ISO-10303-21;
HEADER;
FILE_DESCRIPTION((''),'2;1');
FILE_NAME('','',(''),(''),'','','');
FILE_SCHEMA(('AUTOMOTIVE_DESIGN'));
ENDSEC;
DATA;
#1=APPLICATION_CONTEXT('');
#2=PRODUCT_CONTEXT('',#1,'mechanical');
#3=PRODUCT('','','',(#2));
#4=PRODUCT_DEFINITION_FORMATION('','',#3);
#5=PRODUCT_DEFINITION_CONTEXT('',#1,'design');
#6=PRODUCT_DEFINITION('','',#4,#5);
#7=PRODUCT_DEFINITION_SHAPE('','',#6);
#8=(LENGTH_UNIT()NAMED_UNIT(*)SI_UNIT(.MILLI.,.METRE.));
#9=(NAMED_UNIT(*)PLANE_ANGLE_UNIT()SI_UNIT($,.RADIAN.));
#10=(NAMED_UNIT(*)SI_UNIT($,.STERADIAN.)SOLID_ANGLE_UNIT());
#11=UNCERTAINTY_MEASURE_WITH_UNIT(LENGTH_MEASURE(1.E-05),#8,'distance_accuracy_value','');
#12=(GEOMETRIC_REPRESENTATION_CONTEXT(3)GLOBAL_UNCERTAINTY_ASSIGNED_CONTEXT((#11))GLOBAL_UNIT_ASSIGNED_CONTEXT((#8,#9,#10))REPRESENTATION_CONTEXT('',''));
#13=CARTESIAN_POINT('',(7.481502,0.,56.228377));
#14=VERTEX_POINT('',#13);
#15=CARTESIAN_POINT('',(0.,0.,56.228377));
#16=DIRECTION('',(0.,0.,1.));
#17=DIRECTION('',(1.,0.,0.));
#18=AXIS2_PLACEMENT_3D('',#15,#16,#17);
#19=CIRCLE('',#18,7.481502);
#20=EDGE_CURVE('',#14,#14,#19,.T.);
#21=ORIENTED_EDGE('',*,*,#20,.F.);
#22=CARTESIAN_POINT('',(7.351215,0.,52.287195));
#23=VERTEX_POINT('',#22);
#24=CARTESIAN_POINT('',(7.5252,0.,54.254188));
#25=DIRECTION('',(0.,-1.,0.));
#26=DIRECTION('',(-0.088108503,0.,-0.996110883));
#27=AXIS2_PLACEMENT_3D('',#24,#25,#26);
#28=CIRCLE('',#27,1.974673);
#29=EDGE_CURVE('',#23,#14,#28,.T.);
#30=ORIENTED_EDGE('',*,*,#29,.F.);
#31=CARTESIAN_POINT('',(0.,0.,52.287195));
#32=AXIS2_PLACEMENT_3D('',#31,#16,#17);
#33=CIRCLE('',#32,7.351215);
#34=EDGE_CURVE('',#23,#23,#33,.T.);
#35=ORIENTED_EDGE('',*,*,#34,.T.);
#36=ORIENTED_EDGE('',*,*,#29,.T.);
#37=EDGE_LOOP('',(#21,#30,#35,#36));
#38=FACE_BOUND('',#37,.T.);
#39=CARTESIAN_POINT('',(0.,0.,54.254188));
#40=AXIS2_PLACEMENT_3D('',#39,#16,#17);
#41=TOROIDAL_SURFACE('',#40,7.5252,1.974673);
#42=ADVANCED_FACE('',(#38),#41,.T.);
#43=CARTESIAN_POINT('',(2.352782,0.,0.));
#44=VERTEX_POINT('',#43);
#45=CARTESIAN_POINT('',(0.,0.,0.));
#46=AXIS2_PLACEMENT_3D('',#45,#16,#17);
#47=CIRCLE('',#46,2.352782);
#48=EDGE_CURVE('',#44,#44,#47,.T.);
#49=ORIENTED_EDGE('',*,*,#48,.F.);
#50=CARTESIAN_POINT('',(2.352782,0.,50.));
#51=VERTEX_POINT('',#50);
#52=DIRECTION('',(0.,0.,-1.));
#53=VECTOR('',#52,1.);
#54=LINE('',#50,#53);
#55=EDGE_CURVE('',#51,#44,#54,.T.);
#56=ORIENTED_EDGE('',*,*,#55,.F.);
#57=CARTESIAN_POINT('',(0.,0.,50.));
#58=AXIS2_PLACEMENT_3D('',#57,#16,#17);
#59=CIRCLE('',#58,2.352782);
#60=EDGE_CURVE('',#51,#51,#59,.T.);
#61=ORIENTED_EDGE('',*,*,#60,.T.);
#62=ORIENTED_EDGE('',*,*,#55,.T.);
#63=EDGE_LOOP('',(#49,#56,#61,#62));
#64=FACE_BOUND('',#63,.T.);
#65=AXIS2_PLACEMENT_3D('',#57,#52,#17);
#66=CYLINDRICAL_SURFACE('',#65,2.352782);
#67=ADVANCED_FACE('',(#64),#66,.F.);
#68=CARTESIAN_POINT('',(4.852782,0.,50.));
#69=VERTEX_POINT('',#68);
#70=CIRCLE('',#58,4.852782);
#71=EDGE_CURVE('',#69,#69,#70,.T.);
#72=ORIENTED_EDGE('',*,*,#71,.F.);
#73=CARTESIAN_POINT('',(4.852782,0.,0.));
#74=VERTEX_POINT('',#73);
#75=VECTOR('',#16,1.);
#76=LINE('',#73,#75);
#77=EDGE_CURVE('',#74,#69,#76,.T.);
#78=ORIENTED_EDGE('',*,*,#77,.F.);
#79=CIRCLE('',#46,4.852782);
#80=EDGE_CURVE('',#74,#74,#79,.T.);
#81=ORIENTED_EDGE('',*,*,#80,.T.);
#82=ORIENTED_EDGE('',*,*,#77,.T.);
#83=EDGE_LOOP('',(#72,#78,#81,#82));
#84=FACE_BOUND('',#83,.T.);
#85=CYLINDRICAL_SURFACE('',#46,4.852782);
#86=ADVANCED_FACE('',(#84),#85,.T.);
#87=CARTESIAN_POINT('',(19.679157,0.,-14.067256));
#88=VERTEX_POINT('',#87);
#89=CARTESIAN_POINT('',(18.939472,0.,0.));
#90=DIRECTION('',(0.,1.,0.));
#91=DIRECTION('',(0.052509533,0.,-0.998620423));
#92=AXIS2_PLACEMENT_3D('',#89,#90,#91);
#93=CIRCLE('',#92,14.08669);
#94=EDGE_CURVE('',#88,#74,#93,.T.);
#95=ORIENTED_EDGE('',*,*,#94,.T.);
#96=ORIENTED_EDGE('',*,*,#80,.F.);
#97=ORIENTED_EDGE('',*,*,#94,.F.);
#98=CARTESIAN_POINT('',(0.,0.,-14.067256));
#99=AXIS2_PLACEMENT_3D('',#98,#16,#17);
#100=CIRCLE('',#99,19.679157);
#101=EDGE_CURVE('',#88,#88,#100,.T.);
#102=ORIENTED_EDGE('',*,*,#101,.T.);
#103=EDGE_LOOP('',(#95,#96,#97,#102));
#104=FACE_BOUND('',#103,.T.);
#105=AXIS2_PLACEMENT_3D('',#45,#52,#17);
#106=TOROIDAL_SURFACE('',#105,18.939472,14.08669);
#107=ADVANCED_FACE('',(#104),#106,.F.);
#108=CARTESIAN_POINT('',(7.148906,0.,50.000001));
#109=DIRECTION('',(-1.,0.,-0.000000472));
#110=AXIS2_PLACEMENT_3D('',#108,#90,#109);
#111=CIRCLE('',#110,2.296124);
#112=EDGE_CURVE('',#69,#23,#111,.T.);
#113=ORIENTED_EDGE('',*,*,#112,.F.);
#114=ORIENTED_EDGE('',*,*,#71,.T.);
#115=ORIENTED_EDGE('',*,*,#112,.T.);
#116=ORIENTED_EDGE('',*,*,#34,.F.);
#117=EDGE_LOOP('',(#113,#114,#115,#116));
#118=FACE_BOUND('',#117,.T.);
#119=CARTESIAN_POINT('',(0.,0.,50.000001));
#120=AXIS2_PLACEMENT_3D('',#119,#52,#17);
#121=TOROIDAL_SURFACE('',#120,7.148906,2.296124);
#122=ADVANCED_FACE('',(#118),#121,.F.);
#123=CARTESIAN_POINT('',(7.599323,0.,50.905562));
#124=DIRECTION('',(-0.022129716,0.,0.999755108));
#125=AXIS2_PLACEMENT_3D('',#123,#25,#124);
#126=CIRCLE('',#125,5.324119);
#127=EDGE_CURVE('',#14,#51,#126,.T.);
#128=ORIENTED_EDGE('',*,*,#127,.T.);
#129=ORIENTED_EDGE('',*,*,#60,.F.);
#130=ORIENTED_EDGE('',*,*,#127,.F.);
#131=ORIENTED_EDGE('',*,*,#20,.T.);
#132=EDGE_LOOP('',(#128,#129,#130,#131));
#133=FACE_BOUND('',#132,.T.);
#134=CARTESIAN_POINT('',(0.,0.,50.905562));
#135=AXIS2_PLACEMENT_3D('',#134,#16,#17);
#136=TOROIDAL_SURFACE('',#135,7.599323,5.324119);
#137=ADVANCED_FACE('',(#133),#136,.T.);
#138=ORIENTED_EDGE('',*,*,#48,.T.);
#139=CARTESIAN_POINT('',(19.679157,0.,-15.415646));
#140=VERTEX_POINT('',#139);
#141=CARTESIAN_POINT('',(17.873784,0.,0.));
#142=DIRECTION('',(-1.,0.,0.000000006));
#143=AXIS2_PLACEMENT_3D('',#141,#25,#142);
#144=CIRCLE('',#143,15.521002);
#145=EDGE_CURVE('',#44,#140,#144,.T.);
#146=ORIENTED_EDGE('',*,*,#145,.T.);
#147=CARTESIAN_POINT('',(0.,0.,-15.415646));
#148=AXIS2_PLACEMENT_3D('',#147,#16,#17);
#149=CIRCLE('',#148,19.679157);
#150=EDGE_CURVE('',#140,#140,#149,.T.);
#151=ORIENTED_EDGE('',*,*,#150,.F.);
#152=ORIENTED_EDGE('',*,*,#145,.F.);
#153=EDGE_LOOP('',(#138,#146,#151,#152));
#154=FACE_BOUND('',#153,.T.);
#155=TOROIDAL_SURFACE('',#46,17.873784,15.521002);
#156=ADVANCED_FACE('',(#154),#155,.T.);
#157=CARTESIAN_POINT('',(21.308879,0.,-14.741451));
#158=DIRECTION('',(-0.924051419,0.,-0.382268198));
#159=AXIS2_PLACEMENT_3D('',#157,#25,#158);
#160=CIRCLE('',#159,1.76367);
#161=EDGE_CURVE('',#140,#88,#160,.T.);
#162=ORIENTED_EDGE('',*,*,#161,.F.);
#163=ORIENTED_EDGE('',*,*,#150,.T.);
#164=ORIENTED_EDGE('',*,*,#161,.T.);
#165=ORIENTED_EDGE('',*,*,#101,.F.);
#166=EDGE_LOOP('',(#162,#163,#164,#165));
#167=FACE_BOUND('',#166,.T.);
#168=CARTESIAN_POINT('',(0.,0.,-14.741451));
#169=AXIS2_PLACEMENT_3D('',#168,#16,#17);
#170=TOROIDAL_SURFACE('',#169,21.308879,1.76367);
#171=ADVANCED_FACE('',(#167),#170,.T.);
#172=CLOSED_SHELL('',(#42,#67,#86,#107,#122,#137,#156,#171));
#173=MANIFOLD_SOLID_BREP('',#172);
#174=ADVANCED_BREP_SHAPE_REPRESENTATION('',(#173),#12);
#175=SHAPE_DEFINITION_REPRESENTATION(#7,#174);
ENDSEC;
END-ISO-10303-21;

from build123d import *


with BuildPart() as f1:
    # F0 (on Front) → F1 (revolve)
    with BuildSketch(Plane.XZ):
        with BuildLine():
            Line((2.352782, 50), (2.352782, 0))
            ThreePointArc((2.352782, 0), (7.5568, -11.595747), (19.679157, -15.415646))
            ThreePointArc((19.679157, -15.415646), (23.072549, -14.741451), (19.679157, -14.067256))
            ThreePointArc((19.679157, -14.067256), (9.243722, -10.218966), (4.852782, 0))
            Line((4.852782, 0), (4.852782, 50))
            ThreePointArc((4.852782, 50), (5.598477, 51.693623), (7.351215, 52.287195))
            ThreePointArc((7.351215, 52.287195), (9.498795, 54.188945), (7.481502, 56.228377))
            ThreePointArc((7.481502, 56.228377), (3.489303, 54.289934), (2.352782, 50))
        make_face()
    revolve(axis=Axis((0, 0, 25.2214), (0, 0, 1)))


solid = f1.part
